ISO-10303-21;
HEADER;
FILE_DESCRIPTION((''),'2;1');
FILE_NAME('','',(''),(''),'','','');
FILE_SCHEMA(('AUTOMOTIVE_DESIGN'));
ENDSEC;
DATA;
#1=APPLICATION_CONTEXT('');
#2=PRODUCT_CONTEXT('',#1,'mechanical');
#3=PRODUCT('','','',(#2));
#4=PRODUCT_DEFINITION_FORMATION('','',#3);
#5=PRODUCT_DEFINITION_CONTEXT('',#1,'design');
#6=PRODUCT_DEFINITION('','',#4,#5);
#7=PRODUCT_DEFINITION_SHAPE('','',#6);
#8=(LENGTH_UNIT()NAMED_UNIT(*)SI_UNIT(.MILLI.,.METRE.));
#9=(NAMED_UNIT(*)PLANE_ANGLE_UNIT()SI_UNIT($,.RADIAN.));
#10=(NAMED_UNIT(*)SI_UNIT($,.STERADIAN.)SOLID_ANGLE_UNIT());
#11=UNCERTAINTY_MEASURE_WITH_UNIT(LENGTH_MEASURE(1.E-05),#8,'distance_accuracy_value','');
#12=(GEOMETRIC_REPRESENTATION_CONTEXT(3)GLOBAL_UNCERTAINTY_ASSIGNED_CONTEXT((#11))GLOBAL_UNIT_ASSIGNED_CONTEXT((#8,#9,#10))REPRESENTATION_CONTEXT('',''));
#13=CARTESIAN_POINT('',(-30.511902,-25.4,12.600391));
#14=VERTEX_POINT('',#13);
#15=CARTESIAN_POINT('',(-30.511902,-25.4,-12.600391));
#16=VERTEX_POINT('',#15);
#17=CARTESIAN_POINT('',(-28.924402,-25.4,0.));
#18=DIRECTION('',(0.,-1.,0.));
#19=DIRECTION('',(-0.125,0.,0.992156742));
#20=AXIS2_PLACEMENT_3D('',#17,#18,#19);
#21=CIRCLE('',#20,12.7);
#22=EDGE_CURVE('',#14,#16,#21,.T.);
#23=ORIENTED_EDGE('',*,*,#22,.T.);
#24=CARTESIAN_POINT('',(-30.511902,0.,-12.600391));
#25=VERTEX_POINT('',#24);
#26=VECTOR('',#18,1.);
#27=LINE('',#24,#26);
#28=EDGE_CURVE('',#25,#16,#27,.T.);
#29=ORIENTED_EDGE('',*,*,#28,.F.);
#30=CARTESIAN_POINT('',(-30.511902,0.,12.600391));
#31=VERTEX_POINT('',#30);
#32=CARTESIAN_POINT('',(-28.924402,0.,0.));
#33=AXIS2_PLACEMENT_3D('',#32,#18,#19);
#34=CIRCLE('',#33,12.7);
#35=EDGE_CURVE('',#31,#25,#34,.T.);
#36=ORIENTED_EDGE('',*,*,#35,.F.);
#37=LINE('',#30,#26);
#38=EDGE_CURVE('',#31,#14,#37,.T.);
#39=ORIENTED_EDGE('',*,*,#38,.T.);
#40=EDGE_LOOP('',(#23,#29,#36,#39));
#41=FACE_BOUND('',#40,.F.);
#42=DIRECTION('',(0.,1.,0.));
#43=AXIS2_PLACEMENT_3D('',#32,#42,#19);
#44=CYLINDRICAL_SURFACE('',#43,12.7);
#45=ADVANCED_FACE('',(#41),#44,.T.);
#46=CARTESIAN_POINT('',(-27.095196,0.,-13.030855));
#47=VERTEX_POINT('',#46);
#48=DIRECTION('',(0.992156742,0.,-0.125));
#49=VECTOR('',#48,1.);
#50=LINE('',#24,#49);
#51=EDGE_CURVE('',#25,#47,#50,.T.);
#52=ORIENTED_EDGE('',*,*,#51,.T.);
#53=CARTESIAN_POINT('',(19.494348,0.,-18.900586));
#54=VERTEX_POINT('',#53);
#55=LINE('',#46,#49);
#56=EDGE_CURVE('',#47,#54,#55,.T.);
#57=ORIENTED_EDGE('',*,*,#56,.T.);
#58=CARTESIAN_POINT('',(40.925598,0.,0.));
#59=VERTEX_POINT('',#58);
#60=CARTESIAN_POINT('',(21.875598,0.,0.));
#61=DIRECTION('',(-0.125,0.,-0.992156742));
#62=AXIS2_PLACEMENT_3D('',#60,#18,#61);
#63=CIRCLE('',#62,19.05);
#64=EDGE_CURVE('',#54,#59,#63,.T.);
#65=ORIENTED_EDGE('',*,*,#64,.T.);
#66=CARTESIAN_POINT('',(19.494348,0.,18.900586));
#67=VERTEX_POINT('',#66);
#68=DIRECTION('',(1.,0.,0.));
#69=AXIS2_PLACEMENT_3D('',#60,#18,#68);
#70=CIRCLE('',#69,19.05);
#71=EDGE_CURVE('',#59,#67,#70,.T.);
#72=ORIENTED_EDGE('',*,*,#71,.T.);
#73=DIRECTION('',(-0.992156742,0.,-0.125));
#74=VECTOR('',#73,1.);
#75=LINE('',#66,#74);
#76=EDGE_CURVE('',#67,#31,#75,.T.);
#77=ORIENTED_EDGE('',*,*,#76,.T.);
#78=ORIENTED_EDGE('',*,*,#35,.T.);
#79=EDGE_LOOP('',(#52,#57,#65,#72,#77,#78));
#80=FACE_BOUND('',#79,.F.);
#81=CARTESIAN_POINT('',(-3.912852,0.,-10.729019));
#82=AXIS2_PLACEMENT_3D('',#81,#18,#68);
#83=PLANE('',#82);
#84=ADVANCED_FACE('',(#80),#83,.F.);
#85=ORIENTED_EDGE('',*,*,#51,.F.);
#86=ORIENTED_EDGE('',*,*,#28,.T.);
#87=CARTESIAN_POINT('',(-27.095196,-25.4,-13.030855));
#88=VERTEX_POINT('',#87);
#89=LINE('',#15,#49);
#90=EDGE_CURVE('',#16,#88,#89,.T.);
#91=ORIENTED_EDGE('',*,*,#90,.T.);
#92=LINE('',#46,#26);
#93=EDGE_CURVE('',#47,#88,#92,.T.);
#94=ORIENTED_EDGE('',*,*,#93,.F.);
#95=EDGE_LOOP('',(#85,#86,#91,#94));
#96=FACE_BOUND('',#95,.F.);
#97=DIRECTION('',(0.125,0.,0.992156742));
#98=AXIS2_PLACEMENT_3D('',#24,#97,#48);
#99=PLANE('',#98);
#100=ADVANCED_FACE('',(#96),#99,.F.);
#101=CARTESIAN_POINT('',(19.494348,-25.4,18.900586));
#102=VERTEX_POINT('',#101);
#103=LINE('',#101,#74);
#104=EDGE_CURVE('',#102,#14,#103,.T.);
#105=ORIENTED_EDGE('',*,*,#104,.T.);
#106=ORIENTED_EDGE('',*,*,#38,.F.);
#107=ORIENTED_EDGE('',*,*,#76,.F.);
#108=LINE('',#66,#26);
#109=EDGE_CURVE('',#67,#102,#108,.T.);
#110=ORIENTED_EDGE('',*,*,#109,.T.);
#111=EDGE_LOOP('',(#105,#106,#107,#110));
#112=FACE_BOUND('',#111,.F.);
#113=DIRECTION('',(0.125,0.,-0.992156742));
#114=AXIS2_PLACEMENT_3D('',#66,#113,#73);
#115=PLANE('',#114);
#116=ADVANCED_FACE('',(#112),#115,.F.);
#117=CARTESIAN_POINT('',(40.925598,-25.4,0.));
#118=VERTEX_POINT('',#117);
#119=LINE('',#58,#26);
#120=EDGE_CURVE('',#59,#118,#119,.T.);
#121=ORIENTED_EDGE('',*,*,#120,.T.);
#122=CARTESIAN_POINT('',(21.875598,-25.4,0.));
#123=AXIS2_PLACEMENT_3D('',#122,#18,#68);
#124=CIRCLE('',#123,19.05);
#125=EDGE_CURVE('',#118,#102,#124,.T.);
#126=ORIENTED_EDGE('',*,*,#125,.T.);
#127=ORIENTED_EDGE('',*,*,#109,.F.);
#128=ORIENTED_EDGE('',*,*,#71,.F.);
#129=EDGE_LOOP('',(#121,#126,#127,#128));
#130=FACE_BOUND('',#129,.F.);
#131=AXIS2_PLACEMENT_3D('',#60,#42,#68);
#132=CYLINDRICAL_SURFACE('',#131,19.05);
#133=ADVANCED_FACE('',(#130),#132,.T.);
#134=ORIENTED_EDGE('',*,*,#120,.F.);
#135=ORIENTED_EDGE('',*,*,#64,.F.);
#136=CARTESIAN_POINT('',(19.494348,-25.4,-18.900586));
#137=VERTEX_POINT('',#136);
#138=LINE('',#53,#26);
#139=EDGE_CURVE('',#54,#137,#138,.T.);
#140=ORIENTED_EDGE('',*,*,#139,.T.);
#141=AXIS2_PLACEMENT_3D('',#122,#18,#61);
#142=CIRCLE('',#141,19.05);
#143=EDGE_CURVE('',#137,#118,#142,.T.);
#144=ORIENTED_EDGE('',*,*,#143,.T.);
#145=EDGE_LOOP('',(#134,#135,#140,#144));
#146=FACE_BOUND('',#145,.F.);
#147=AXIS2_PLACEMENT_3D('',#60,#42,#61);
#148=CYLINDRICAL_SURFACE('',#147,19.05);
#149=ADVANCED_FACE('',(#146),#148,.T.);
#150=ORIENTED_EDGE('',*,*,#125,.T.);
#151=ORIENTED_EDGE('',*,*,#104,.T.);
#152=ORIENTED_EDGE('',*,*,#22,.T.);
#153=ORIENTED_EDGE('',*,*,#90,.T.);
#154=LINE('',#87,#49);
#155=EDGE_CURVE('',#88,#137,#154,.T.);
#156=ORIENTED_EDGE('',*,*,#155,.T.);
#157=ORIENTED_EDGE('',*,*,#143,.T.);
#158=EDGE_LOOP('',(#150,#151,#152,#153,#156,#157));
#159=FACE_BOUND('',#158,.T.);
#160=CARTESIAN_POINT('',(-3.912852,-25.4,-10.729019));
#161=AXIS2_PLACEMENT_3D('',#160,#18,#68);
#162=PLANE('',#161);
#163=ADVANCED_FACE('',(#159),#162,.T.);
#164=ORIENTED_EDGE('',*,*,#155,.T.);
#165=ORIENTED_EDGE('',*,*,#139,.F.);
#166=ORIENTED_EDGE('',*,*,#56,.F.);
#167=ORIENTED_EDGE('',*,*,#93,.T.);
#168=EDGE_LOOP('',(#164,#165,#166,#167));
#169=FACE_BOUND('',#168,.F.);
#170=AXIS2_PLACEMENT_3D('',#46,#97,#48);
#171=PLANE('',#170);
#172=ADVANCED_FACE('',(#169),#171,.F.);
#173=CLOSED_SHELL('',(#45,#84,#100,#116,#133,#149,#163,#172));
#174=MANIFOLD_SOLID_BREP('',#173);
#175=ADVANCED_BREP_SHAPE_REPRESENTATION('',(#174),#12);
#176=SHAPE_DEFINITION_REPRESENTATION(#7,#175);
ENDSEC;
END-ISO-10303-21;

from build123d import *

# Parameters (mm, degrees)
F1_DEPTH = 25.4


with BuildPart() as f1:
    # F0 (on Front) → F1 (new body)
    with BuildSketch(Plane.XZ):
        with BuildLine():
            Line((2.8255982462, 0), (-16.2244017538, 0))
            ThreePointArc((-16.2244017538, 0), (-19.3402677902, -8.3327292148), (-27.1589491817, -12.5766918232))
            Line((-27.1589491817, -12.5766918232), (-27.0951960344, -13.0308550778))
            Line((-27.0951960344, -13.0308550778), (19.4943482462, -18.9005859284))
            ThreePointArc((19.4943482462, -18.9005859284), (7.5880982462, -12.6003906189), (2.8255982462, 0))
        make_face()
        with BuildLine():
            ThreePointArc((-27.1589491817, -12.5766918232), (-19.3402677902, -8.3327292148), (-16.2244017538, 0))
            Line((-16.2244017538, 0), (-28.9244017538, 0))
            Line((-28.9244017538, 0), (-27.1589491817, -12.5766918232))
        make_face()
        with BuildLine():
            Line((21.8755982462, 0), (2.8255982462, 0))
            ThreePointArc((2.8255982462, 0), (7.5880982462, -12.6003906189), (19.4943482462, -18.9005859284))
            Line((19.4943482462, -18.9005859284), (21.8755982462, 0))
        make_face()
        with BuildLine():
            ThreePointArc((40.9255982462, 0), (34.4759888651, 14.2875), (19.4943482462, 18.9005859284))
            Line((19.4943482462, 18.9005859284), (21.8755982462, 0))
            Line((21.8755982462, 0), (19.4943482462, -18.9005859284))
            ThreePointArc((19.4943482462, -18.9005859284), (34.4759888651, -14.2875), (40.9255982462, 0))
        make_face()
        with BuildLine():
            ThreePointArc((19.4943482462, 18.9005859284), (7.5880982462, 12.6003906189), (2.8255982462, 0))
            Line((2.8255982462, 0), (21.8755982462, 0))
            Line((21.8755982462, 0), (19.4943482462, 18.9005859284))
        make_face()
        with BuildLine():
            ThreePointArc((-30.5119017538, 12.6003906189), (-20.5241413412, 9.525), (-16.2244017538, 0))
            Line((-16.2244017538, 0), (2.8255982462, 0))
            ThreePointArc((2.8255982462, 0), (7.5880982462, 12.6003906189), (19.4943482462, 18.9005859284))
            Line((19.4943482462, 18.9005859284), (-30.5119017538, 12.6003906189))
        make_face()
        with BuildLine():
            ThreePointArc((-30.5119017538, -12.6003906189), (-28.834639915, -12.6996827839), (-27.1589491817, -12.5766918232))
            Line((-27.1589491817, -12.5766918232), (-28.9244017538, 0))
            Line((-28.9244017538, 0), (-30.5119017538, -12.6003906189))
        make_face()
        with BuildLine():
            Line((-28.9244017538, 0), (-16.2244017538, 0))
            ThreePointArc((-16.2244017538, 0), (-20.5241413412, 9.525), (-30.5119017538, 12.6003906189))
            Line((-30.5119017538, 12.6003906189), (-28.9244017538, 0))
        make_face()
        with BuildLine():
            Line((-28.9244017538, 0), (-30.5119017538, 12.6003906189))
            ThreePointArc((-30.5119017538, 12.6003906189), (-41.6244017538, 0), (-30.5119017538, -12.6003906189))
            Line((-30.5119017538, -12.6003906189), (-28.9244017538, 0))
        make_face()
        with BuildLine():
            Line((-27.0951960344, -13.0308550778), (-27.1589491817, -12.5766918232))
            ThreePointArc((-27.1589491817, -12.5766918232), (-28.834639915, -12.6996827839), (-30.5119017538, -12.6003906189))
            Line((-30.5119017538, -12.6003906189), (-27.0951960344, -13.0308550778))
        make_face()
    extrude(amount=F1_DEPTH)


solid = f1.part
